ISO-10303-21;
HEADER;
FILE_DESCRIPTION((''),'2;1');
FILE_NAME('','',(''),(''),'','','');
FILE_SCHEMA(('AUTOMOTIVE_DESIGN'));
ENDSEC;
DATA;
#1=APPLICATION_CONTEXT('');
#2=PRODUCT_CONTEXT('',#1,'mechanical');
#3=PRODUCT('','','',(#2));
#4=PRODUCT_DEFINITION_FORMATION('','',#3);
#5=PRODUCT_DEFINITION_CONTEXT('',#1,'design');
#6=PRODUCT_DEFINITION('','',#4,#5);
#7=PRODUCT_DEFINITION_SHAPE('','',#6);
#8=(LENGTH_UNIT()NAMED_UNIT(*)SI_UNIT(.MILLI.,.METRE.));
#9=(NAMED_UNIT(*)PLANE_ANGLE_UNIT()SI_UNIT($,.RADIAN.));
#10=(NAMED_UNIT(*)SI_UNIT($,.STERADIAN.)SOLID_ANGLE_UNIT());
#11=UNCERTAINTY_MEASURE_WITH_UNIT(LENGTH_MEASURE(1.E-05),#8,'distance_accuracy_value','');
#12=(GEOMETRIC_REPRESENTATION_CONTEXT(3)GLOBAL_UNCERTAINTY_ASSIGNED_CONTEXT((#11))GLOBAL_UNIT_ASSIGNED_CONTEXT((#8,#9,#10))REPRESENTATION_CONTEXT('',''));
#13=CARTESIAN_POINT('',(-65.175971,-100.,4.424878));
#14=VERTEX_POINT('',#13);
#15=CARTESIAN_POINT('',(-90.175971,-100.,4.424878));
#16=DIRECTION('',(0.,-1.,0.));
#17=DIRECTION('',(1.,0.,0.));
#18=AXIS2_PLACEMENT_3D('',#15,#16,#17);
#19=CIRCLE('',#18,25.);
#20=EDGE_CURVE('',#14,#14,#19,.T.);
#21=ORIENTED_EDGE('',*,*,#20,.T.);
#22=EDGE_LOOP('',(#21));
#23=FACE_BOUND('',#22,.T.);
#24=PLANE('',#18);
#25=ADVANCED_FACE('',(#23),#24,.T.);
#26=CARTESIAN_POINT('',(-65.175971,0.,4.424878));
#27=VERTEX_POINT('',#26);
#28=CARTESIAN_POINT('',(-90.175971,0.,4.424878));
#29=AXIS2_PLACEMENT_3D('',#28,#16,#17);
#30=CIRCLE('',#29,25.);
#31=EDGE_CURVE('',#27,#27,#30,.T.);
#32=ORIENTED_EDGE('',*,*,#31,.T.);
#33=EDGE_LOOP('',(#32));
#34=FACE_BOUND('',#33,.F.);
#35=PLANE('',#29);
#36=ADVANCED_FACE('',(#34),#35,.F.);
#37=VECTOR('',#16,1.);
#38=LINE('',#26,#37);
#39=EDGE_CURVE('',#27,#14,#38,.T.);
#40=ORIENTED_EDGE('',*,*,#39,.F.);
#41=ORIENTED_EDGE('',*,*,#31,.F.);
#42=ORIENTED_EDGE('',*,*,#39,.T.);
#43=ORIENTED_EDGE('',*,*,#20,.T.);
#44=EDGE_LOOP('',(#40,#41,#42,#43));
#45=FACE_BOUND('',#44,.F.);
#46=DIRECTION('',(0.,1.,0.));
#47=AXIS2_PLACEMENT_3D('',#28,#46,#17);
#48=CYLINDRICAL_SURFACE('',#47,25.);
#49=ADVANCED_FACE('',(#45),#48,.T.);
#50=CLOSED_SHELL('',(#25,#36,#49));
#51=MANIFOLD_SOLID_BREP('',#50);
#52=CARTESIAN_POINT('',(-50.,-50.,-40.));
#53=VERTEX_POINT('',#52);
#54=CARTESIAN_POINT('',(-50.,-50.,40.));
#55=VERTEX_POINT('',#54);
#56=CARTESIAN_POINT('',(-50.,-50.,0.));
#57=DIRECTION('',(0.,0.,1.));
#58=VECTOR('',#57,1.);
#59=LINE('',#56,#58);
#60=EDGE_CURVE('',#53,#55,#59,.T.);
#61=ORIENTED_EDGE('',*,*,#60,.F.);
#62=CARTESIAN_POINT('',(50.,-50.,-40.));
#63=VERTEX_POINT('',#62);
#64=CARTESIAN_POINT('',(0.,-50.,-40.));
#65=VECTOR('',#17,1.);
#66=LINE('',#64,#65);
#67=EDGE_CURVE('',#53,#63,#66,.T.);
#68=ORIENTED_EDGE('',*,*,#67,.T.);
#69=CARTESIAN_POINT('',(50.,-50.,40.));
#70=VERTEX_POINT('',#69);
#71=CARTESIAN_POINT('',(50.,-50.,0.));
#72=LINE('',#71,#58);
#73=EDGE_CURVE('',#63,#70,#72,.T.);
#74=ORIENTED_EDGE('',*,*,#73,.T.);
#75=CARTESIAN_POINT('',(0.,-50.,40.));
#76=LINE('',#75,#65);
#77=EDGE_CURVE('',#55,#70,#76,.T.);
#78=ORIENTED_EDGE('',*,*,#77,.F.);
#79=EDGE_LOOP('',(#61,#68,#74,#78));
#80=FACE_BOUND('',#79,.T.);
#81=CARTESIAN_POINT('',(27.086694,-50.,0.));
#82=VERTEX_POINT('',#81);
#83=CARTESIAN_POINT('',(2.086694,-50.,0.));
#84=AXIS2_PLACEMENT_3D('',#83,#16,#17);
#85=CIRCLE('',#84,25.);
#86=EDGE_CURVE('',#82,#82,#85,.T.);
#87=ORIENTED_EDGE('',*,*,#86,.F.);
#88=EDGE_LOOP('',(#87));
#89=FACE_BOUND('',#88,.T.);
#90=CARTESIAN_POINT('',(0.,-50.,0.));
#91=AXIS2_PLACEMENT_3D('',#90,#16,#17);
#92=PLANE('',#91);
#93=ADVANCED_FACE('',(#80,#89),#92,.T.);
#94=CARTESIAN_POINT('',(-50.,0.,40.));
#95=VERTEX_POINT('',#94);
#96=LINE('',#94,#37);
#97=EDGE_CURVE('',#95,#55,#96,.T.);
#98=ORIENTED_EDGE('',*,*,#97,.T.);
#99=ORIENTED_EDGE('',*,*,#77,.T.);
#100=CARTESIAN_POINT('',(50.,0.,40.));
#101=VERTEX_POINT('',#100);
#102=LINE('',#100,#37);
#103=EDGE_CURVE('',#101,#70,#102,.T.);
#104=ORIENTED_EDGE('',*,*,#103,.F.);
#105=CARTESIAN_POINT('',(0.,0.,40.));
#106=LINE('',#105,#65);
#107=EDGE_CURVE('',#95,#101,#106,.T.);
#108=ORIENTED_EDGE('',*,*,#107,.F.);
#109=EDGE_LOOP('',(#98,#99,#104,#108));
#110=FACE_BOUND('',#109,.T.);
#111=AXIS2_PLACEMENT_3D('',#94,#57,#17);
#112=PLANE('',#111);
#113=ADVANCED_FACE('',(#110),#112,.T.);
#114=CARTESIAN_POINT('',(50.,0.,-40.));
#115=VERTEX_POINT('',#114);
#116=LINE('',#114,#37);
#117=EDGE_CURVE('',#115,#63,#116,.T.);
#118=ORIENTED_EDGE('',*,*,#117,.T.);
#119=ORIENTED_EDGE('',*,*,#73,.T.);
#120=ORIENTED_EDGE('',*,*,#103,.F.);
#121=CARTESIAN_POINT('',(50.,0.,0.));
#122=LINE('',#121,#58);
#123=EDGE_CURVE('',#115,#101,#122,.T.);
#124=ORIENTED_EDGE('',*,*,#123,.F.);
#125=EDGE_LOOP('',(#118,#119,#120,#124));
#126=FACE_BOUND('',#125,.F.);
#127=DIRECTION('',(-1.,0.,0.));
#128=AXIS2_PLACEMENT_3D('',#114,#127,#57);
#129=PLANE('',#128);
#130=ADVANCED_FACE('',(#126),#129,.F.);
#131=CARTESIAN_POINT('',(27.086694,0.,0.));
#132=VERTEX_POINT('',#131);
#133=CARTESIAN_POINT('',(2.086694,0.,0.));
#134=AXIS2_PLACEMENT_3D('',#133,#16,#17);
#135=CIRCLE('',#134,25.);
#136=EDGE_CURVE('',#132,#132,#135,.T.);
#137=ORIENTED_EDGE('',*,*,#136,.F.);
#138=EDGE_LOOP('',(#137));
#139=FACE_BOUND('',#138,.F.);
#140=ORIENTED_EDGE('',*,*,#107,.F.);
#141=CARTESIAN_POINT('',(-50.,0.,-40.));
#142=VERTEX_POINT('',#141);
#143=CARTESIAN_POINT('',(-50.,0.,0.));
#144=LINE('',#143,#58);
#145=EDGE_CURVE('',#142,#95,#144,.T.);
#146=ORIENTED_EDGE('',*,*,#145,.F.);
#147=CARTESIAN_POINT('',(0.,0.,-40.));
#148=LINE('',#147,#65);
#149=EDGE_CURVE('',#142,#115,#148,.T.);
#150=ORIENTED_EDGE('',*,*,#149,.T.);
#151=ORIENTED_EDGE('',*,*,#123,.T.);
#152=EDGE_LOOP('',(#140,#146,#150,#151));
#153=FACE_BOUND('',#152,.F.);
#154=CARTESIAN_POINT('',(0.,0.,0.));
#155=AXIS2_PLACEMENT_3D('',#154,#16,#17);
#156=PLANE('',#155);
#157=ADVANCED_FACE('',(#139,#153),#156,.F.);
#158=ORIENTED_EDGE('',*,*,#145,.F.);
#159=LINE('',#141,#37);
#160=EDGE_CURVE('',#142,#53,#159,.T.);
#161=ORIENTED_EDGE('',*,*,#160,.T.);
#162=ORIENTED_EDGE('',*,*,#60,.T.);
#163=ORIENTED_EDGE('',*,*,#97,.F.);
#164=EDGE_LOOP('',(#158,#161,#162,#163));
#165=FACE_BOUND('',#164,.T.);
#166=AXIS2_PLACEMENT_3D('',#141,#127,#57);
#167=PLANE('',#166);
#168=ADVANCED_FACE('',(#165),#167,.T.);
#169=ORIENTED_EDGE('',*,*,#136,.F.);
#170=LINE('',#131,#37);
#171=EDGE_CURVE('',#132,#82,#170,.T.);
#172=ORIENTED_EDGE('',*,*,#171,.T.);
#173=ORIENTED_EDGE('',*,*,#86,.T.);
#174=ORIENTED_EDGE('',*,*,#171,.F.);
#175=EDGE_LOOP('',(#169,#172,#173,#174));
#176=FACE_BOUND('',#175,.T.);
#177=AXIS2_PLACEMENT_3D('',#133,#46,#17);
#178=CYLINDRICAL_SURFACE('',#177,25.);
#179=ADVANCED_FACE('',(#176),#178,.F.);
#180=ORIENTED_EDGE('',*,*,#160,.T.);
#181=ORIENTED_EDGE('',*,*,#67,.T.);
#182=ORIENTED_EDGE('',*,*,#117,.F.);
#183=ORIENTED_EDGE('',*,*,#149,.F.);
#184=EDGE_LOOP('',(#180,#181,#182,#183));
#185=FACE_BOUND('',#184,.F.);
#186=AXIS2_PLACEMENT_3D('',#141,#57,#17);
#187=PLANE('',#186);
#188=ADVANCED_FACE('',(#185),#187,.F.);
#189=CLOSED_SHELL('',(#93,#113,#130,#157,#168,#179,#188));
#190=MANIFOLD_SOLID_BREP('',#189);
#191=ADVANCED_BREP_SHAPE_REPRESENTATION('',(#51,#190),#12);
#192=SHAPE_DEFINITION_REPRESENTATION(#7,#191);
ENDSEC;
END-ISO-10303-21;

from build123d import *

# Parameters (mm, degrees)
F0_W     = 100
F0_H     = 80
F1_DEPTH = 50
F2_R     = 25
F3_DEPTH = 50
F4_R     = 25
F5_DEPTH = 100


with BuildPart() as f1:
    # F0 (on Front) → F1 (new body)
    with BuildSketch(Plane.XZ):
        Rectangle(F0_W, F0_H)
    extrude(amount=F1_DEPTH)

    # F2 (on Front) → F3 (cut)
    with BuildSketch(Plane.XZ):
        with Locations((2.086694, 0)):
            Circle(F2_R)
    extrude(amount=F3_DEPTH, mode=Mode.SUBTRACT)


with BuildPart() as f5:
    # F4 (on Front) → F5 (new body)
    with BuildSketch(Plane.XZ):
        with Locations((-90.175971, 4.424878)):
            Circle(F4_R)
    extrude(amount=F5_DEPTH)


solid = Compound([f1.part, f5.part])
